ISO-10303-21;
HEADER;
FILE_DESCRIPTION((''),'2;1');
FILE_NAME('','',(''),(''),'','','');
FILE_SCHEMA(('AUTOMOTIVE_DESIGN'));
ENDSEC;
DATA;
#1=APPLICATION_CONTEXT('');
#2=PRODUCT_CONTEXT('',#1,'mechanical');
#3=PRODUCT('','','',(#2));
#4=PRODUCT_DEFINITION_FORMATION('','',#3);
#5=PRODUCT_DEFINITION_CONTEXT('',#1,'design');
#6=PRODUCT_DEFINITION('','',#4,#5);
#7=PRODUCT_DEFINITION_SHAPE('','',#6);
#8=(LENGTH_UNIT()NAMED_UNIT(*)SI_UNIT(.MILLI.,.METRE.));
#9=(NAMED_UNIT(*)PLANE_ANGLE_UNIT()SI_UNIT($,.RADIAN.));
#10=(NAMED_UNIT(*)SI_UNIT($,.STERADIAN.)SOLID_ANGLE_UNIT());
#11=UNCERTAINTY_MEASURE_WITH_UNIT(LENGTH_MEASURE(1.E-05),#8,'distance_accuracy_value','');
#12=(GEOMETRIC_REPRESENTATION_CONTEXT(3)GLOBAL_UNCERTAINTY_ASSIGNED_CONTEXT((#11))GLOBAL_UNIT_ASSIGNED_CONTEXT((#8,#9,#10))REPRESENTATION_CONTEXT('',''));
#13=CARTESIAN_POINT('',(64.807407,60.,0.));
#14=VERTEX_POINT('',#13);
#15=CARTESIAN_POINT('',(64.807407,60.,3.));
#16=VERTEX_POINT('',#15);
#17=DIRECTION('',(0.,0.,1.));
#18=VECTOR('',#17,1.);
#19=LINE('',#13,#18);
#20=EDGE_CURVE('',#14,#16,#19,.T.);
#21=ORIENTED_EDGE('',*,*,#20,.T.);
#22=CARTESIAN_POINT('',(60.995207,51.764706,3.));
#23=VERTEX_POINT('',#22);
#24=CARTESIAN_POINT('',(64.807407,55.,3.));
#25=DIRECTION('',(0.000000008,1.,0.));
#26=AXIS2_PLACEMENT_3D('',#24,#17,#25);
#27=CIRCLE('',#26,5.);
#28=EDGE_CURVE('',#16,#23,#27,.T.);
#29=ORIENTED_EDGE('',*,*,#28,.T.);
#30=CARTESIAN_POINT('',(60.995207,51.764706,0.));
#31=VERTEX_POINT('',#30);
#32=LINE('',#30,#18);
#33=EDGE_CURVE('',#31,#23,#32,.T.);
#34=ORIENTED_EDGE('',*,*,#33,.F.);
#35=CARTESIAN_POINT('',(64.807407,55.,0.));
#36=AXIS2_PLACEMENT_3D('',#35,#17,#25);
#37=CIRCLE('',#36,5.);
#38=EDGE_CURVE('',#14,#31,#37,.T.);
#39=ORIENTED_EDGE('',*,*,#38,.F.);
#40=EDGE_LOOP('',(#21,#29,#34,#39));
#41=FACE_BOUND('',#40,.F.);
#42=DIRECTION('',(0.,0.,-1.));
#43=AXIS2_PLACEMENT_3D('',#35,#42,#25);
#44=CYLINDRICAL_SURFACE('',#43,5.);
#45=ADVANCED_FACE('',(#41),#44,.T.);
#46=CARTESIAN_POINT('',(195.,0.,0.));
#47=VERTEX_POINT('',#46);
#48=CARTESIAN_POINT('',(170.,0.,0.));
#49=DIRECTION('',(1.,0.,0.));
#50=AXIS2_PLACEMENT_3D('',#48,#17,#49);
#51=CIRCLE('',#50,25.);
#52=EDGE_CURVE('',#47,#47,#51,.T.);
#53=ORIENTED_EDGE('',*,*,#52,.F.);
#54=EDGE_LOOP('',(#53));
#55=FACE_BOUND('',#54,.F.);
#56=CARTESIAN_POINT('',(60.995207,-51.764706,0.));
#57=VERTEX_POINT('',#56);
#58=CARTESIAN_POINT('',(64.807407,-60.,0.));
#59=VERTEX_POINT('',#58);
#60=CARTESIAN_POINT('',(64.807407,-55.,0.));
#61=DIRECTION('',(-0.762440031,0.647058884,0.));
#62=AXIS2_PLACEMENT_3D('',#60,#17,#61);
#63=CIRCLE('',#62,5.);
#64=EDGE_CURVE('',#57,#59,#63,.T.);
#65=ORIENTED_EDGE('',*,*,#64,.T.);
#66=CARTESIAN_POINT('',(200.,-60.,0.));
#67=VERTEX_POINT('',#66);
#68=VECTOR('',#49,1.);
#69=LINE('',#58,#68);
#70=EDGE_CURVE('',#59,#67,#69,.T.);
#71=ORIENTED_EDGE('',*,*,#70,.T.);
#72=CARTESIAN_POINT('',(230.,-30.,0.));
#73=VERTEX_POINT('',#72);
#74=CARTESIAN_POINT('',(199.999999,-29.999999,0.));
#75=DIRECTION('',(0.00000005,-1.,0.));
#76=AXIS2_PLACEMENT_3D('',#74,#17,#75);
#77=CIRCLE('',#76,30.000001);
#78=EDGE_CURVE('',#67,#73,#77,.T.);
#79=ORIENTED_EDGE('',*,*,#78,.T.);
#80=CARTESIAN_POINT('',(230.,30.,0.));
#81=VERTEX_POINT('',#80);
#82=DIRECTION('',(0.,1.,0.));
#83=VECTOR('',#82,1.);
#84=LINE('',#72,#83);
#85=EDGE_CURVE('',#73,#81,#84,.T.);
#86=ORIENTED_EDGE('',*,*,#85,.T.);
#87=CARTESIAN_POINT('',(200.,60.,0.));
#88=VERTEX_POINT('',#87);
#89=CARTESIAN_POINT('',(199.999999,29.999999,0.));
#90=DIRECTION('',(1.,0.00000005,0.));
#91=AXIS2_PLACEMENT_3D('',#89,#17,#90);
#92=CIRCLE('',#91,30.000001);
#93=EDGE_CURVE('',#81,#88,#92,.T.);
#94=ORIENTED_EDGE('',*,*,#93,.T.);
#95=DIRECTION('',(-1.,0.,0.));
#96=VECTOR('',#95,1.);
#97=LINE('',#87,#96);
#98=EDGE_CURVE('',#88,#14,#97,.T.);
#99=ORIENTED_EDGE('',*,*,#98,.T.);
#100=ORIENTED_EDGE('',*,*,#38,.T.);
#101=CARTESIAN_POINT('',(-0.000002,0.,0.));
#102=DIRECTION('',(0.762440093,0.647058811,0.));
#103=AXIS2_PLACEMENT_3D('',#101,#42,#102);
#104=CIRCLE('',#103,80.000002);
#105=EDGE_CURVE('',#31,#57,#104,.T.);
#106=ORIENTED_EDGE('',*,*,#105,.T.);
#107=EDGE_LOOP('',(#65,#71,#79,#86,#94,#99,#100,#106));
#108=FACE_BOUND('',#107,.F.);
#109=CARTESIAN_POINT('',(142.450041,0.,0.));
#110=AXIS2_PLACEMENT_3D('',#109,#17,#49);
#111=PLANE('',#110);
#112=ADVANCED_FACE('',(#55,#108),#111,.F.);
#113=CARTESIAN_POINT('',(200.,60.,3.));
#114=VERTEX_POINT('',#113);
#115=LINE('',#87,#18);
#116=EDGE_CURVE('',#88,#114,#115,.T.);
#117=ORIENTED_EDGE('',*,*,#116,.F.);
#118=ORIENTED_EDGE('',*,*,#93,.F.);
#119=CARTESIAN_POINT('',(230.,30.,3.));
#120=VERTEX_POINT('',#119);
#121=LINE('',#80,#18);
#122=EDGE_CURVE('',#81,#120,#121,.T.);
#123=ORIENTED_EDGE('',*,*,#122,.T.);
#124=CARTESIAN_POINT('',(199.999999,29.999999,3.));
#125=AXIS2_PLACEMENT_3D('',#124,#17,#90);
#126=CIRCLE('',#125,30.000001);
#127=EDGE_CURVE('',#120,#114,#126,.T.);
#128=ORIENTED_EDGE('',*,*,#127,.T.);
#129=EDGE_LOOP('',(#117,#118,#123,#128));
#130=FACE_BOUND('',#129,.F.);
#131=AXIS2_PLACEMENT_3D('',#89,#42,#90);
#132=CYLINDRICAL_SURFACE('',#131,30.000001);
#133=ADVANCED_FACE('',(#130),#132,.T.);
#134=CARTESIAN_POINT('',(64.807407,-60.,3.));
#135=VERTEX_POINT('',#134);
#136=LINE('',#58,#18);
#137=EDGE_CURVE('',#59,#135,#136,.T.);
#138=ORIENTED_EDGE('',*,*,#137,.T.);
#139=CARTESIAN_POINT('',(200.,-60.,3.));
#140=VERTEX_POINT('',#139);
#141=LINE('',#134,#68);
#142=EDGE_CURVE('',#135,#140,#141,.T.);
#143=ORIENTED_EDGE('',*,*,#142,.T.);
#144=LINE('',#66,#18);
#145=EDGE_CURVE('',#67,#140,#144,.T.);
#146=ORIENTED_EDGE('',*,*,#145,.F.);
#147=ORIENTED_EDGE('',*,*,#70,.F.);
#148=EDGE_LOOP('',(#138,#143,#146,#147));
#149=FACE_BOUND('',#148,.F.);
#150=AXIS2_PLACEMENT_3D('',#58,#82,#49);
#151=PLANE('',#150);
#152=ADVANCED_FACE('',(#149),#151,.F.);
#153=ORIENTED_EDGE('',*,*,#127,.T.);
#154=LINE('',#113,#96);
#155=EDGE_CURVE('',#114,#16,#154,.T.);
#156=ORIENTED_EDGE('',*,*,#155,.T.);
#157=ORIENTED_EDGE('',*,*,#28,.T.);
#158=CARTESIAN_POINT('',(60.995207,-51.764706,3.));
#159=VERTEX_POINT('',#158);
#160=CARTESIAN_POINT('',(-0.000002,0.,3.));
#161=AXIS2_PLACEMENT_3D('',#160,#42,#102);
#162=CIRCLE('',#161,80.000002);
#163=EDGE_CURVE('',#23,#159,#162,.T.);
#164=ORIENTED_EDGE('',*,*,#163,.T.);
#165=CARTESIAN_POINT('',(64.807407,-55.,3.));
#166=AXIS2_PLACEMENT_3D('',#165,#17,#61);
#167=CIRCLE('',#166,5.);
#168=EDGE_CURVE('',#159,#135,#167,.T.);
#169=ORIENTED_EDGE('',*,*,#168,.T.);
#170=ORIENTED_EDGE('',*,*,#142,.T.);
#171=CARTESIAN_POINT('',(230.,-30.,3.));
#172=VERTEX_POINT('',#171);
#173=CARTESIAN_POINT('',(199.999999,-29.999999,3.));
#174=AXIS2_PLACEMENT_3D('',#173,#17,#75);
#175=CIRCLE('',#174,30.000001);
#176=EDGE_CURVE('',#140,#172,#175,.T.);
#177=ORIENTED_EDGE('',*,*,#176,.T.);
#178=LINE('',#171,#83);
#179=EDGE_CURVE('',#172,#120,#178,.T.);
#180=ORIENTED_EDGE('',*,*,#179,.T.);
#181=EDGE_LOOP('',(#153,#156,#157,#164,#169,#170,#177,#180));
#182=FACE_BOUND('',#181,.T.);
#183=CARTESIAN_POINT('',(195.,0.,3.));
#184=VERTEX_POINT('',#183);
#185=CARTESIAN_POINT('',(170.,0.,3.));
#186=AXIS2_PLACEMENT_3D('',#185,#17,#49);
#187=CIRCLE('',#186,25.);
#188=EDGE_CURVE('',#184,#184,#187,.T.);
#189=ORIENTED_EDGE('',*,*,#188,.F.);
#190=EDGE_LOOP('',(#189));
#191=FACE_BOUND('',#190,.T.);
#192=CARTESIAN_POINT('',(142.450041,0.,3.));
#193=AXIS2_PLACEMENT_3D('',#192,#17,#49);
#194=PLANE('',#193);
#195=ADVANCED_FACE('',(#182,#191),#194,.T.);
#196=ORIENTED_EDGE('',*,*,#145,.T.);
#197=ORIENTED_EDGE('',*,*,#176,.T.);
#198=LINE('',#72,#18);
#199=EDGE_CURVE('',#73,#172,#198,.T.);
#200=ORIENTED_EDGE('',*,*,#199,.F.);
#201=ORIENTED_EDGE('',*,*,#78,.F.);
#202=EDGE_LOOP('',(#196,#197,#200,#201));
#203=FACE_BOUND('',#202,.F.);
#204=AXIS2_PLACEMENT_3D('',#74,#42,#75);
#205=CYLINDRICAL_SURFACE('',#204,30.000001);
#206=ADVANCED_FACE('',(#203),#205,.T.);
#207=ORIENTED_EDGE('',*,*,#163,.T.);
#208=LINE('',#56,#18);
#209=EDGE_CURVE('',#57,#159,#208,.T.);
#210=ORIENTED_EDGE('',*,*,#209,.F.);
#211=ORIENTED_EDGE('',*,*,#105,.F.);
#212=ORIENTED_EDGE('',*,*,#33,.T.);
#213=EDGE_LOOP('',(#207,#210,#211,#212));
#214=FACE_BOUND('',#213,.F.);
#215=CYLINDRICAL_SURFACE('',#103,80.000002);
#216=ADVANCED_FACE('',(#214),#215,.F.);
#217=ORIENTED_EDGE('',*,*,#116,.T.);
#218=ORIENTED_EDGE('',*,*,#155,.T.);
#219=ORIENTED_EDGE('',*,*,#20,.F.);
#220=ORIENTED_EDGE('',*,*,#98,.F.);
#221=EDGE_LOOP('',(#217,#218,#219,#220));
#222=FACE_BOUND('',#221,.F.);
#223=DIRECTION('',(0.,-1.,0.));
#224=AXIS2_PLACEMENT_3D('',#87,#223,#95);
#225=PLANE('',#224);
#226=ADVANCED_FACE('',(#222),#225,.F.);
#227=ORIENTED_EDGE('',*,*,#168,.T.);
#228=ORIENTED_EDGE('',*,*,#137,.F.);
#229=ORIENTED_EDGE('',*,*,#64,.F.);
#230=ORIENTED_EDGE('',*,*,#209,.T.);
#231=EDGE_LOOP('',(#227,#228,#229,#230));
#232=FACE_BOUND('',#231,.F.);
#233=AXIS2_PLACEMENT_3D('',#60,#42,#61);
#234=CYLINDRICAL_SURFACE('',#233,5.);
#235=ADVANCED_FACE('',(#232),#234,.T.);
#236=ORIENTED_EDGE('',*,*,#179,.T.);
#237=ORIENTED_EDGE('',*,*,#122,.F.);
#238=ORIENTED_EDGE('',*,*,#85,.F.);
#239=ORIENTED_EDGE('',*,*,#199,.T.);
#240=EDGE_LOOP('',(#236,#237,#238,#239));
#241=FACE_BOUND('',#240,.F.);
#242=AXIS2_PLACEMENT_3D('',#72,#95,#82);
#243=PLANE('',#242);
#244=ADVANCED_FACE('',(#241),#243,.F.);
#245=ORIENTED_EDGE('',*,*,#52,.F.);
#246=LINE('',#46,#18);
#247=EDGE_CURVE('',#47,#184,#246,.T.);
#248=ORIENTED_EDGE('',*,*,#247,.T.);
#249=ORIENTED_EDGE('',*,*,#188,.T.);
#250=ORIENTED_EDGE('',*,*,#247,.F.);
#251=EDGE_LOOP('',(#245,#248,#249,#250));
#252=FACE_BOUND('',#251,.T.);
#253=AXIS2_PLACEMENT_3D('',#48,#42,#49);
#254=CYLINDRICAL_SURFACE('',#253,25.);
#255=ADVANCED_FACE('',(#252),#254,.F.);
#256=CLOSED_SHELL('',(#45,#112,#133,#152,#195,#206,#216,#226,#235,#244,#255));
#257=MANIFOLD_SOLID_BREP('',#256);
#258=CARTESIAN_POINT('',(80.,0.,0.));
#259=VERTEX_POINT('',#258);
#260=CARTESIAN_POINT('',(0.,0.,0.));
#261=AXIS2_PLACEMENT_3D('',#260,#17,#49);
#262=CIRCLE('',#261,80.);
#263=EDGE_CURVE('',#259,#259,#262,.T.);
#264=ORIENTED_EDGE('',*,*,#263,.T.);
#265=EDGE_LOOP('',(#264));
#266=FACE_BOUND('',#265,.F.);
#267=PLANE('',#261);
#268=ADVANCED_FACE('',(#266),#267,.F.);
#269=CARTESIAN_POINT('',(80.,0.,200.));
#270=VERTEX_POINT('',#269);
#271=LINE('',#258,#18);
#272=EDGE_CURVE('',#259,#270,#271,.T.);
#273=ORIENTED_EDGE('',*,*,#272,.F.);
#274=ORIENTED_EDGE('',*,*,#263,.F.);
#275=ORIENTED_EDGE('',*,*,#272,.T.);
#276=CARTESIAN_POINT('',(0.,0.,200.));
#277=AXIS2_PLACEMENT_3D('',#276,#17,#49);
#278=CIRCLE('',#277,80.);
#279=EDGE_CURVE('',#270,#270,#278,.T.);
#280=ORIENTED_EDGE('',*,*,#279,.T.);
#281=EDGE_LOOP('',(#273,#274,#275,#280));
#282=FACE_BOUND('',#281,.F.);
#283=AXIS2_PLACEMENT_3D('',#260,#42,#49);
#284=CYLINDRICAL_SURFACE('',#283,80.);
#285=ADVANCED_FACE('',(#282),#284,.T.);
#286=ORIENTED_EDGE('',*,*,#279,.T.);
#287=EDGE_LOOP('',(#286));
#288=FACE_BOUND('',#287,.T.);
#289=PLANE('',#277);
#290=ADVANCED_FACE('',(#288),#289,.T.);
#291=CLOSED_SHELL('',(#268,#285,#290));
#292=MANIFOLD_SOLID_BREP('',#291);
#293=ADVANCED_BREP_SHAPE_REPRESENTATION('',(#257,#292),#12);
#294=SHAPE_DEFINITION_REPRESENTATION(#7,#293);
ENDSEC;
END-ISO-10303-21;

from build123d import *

# Parameters (mm, degrees)
F0_R     = 80
F1_DEPTH = 200
F2_R     = 25
F3_DEPTH = 3


with BuildPart() as f1:
    # F0 (on Top) → F1 (new body)
    with BuildSketch(Plane.XY):
        Circle(F0_R)
    extrude(amount=F1_DEPTH)


with BuildPart() as f3:
    # F2 (on Top) → F3 (new body)
    with BuildSketch(Plane.XY):
        with BuildLine():
            Line((200, 60), (64.807407, 60))
            ThreePointArc((64.807407, 60), (60.269981, 57.10042), (60.995207, 51.764706))
            ThreePointArc((60.995207, 51.764706), (80, 0), (60.995207, -51.764706))
            ThreePointArc((60.995207, -51.764706), (60.269981, -57.10042), (64.807407, -60))
            Line((64.807407, -60), (200, -60))
            ThreePointArc((200, -60), (221.213203, -51.213203), (230, -30))
            Line((230, -30), (230, 30))
            ThreePointArc((230, 30), (221.213203, 51.213203), (200, 60))
        make_face()
        with Locations((170, 0)):
            Circle(F2_R, mode=Mode.SUBTRACT)
    extrude(amount=F3_DEPTH)


solid = Compound([f1.part, f3.part])
